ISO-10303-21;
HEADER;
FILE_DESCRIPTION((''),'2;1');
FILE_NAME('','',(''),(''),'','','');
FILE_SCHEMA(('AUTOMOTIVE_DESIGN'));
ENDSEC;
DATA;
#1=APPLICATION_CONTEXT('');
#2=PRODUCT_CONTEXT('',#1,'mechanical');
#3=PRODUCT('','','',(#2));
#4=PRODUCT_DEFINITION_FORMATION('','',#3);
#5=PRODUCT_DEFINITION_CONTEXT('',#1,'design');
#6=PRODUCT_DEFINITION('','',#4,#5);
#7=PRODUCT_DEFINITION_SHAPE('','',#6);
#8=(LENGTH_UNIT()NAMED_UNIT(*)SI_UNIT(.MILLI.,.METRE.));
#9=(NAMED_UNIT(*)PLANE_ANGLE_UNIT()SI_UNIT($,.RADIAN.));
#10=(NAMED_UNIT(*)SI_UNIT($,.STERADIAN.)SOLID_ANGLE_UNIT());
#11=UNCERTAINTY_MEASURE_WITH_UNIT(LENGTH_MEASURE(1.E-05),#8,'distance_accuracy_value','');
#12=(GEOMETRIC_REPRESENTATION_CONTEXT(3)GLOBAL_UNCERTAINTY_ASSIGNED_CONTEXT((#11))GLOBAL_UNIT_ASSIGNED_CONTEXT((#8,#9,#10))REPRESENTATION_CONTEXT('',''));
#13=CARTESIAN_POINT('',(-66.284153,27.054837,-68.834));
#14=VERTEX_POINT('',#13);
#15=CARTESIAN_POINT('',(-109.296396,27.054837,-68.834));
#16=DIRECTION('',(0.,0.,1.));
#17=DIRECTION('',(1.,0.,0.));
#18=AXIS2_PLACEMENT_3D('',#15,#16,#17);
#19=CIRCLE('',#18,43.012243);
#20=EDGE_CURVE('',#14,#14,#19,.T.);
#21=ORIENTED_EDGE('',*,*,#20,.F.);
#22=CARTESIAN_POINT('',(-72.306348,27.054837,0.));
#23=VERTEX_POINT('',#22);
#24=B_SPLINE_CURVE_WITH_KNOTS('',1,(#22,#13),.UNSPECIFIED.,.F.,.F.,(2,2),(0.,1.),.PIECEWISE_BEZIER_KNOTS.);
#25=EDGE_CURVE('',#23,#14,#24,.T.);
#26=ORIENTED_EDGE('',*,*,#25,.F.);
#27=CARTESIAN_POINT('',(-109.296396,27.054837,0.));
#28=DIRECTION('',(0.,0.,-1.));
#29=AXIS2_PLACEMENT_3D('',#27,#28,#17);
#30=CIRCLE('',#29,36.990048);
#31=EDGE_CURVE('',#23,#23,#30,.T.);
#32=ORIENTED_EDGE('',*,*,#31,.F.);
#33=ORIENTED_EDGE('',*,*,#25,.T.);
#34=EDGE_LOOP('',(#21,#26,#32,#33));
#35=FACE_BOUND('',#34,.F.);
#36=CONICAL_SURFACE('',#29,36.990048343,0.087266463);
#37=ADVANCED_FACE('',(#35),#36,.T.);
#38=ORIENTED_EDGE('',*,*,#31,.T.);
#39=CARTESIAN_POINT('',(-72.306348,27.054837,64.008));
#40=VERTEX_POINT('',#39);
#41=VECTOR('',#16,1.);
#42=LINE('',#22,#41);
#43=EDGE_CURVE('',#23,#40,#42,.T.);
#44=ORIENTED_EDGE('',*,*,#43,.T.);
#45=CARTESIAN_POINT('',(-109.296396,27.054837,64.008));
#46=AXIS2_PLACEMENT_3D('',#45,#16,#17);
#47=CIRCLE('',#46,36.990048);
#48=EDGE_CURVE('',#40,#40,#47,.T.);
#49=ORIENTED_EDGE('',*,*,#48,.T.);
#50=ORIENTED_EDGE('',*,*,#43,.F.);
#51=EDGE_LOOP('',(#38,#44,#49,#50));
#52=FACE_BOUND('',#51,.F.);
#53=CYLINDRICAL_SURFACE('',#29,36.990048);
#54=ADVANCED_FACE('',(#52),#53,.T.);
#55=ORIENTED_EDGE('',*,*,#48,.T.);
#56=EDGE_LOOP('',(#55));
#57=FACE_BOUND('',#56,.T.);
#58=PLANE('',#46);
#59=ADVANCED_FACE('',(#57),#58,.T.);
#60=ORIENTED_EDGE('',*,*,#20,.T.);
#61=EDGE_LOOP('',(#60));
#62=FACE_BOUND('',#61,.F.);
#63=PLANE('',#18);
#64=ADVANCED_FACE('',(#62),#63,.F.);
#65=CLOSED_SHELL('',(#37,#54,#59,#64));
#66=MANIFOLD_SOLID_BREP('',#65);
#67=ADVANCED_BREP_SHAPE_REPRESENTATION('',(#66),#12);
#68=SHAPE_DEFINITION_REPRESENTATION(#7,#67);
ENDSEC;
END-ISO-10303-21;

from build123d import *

# Parameters (mm, degrees)
F0_R          = 36.9900483435
F1_DEPTH      = 68.834
F1_TAPER      = -5
F1_DEPTH_BACK = 64.008


with BuildPart() as f1:
    # F0 (on Top) → F1 (new body, two sides)
    with BuildSketch(Plane.XY) as f1_sk:
        with Locations((-109.2963963747, 27.0548369735)):
            Circle(F0_R)
    extrude(amount=-F1_DEPTH, taper=F1_TAPER)
    extrude(f1_sk.sketch, amount=F1_DEPTH_BACK)


solid = f1.part
